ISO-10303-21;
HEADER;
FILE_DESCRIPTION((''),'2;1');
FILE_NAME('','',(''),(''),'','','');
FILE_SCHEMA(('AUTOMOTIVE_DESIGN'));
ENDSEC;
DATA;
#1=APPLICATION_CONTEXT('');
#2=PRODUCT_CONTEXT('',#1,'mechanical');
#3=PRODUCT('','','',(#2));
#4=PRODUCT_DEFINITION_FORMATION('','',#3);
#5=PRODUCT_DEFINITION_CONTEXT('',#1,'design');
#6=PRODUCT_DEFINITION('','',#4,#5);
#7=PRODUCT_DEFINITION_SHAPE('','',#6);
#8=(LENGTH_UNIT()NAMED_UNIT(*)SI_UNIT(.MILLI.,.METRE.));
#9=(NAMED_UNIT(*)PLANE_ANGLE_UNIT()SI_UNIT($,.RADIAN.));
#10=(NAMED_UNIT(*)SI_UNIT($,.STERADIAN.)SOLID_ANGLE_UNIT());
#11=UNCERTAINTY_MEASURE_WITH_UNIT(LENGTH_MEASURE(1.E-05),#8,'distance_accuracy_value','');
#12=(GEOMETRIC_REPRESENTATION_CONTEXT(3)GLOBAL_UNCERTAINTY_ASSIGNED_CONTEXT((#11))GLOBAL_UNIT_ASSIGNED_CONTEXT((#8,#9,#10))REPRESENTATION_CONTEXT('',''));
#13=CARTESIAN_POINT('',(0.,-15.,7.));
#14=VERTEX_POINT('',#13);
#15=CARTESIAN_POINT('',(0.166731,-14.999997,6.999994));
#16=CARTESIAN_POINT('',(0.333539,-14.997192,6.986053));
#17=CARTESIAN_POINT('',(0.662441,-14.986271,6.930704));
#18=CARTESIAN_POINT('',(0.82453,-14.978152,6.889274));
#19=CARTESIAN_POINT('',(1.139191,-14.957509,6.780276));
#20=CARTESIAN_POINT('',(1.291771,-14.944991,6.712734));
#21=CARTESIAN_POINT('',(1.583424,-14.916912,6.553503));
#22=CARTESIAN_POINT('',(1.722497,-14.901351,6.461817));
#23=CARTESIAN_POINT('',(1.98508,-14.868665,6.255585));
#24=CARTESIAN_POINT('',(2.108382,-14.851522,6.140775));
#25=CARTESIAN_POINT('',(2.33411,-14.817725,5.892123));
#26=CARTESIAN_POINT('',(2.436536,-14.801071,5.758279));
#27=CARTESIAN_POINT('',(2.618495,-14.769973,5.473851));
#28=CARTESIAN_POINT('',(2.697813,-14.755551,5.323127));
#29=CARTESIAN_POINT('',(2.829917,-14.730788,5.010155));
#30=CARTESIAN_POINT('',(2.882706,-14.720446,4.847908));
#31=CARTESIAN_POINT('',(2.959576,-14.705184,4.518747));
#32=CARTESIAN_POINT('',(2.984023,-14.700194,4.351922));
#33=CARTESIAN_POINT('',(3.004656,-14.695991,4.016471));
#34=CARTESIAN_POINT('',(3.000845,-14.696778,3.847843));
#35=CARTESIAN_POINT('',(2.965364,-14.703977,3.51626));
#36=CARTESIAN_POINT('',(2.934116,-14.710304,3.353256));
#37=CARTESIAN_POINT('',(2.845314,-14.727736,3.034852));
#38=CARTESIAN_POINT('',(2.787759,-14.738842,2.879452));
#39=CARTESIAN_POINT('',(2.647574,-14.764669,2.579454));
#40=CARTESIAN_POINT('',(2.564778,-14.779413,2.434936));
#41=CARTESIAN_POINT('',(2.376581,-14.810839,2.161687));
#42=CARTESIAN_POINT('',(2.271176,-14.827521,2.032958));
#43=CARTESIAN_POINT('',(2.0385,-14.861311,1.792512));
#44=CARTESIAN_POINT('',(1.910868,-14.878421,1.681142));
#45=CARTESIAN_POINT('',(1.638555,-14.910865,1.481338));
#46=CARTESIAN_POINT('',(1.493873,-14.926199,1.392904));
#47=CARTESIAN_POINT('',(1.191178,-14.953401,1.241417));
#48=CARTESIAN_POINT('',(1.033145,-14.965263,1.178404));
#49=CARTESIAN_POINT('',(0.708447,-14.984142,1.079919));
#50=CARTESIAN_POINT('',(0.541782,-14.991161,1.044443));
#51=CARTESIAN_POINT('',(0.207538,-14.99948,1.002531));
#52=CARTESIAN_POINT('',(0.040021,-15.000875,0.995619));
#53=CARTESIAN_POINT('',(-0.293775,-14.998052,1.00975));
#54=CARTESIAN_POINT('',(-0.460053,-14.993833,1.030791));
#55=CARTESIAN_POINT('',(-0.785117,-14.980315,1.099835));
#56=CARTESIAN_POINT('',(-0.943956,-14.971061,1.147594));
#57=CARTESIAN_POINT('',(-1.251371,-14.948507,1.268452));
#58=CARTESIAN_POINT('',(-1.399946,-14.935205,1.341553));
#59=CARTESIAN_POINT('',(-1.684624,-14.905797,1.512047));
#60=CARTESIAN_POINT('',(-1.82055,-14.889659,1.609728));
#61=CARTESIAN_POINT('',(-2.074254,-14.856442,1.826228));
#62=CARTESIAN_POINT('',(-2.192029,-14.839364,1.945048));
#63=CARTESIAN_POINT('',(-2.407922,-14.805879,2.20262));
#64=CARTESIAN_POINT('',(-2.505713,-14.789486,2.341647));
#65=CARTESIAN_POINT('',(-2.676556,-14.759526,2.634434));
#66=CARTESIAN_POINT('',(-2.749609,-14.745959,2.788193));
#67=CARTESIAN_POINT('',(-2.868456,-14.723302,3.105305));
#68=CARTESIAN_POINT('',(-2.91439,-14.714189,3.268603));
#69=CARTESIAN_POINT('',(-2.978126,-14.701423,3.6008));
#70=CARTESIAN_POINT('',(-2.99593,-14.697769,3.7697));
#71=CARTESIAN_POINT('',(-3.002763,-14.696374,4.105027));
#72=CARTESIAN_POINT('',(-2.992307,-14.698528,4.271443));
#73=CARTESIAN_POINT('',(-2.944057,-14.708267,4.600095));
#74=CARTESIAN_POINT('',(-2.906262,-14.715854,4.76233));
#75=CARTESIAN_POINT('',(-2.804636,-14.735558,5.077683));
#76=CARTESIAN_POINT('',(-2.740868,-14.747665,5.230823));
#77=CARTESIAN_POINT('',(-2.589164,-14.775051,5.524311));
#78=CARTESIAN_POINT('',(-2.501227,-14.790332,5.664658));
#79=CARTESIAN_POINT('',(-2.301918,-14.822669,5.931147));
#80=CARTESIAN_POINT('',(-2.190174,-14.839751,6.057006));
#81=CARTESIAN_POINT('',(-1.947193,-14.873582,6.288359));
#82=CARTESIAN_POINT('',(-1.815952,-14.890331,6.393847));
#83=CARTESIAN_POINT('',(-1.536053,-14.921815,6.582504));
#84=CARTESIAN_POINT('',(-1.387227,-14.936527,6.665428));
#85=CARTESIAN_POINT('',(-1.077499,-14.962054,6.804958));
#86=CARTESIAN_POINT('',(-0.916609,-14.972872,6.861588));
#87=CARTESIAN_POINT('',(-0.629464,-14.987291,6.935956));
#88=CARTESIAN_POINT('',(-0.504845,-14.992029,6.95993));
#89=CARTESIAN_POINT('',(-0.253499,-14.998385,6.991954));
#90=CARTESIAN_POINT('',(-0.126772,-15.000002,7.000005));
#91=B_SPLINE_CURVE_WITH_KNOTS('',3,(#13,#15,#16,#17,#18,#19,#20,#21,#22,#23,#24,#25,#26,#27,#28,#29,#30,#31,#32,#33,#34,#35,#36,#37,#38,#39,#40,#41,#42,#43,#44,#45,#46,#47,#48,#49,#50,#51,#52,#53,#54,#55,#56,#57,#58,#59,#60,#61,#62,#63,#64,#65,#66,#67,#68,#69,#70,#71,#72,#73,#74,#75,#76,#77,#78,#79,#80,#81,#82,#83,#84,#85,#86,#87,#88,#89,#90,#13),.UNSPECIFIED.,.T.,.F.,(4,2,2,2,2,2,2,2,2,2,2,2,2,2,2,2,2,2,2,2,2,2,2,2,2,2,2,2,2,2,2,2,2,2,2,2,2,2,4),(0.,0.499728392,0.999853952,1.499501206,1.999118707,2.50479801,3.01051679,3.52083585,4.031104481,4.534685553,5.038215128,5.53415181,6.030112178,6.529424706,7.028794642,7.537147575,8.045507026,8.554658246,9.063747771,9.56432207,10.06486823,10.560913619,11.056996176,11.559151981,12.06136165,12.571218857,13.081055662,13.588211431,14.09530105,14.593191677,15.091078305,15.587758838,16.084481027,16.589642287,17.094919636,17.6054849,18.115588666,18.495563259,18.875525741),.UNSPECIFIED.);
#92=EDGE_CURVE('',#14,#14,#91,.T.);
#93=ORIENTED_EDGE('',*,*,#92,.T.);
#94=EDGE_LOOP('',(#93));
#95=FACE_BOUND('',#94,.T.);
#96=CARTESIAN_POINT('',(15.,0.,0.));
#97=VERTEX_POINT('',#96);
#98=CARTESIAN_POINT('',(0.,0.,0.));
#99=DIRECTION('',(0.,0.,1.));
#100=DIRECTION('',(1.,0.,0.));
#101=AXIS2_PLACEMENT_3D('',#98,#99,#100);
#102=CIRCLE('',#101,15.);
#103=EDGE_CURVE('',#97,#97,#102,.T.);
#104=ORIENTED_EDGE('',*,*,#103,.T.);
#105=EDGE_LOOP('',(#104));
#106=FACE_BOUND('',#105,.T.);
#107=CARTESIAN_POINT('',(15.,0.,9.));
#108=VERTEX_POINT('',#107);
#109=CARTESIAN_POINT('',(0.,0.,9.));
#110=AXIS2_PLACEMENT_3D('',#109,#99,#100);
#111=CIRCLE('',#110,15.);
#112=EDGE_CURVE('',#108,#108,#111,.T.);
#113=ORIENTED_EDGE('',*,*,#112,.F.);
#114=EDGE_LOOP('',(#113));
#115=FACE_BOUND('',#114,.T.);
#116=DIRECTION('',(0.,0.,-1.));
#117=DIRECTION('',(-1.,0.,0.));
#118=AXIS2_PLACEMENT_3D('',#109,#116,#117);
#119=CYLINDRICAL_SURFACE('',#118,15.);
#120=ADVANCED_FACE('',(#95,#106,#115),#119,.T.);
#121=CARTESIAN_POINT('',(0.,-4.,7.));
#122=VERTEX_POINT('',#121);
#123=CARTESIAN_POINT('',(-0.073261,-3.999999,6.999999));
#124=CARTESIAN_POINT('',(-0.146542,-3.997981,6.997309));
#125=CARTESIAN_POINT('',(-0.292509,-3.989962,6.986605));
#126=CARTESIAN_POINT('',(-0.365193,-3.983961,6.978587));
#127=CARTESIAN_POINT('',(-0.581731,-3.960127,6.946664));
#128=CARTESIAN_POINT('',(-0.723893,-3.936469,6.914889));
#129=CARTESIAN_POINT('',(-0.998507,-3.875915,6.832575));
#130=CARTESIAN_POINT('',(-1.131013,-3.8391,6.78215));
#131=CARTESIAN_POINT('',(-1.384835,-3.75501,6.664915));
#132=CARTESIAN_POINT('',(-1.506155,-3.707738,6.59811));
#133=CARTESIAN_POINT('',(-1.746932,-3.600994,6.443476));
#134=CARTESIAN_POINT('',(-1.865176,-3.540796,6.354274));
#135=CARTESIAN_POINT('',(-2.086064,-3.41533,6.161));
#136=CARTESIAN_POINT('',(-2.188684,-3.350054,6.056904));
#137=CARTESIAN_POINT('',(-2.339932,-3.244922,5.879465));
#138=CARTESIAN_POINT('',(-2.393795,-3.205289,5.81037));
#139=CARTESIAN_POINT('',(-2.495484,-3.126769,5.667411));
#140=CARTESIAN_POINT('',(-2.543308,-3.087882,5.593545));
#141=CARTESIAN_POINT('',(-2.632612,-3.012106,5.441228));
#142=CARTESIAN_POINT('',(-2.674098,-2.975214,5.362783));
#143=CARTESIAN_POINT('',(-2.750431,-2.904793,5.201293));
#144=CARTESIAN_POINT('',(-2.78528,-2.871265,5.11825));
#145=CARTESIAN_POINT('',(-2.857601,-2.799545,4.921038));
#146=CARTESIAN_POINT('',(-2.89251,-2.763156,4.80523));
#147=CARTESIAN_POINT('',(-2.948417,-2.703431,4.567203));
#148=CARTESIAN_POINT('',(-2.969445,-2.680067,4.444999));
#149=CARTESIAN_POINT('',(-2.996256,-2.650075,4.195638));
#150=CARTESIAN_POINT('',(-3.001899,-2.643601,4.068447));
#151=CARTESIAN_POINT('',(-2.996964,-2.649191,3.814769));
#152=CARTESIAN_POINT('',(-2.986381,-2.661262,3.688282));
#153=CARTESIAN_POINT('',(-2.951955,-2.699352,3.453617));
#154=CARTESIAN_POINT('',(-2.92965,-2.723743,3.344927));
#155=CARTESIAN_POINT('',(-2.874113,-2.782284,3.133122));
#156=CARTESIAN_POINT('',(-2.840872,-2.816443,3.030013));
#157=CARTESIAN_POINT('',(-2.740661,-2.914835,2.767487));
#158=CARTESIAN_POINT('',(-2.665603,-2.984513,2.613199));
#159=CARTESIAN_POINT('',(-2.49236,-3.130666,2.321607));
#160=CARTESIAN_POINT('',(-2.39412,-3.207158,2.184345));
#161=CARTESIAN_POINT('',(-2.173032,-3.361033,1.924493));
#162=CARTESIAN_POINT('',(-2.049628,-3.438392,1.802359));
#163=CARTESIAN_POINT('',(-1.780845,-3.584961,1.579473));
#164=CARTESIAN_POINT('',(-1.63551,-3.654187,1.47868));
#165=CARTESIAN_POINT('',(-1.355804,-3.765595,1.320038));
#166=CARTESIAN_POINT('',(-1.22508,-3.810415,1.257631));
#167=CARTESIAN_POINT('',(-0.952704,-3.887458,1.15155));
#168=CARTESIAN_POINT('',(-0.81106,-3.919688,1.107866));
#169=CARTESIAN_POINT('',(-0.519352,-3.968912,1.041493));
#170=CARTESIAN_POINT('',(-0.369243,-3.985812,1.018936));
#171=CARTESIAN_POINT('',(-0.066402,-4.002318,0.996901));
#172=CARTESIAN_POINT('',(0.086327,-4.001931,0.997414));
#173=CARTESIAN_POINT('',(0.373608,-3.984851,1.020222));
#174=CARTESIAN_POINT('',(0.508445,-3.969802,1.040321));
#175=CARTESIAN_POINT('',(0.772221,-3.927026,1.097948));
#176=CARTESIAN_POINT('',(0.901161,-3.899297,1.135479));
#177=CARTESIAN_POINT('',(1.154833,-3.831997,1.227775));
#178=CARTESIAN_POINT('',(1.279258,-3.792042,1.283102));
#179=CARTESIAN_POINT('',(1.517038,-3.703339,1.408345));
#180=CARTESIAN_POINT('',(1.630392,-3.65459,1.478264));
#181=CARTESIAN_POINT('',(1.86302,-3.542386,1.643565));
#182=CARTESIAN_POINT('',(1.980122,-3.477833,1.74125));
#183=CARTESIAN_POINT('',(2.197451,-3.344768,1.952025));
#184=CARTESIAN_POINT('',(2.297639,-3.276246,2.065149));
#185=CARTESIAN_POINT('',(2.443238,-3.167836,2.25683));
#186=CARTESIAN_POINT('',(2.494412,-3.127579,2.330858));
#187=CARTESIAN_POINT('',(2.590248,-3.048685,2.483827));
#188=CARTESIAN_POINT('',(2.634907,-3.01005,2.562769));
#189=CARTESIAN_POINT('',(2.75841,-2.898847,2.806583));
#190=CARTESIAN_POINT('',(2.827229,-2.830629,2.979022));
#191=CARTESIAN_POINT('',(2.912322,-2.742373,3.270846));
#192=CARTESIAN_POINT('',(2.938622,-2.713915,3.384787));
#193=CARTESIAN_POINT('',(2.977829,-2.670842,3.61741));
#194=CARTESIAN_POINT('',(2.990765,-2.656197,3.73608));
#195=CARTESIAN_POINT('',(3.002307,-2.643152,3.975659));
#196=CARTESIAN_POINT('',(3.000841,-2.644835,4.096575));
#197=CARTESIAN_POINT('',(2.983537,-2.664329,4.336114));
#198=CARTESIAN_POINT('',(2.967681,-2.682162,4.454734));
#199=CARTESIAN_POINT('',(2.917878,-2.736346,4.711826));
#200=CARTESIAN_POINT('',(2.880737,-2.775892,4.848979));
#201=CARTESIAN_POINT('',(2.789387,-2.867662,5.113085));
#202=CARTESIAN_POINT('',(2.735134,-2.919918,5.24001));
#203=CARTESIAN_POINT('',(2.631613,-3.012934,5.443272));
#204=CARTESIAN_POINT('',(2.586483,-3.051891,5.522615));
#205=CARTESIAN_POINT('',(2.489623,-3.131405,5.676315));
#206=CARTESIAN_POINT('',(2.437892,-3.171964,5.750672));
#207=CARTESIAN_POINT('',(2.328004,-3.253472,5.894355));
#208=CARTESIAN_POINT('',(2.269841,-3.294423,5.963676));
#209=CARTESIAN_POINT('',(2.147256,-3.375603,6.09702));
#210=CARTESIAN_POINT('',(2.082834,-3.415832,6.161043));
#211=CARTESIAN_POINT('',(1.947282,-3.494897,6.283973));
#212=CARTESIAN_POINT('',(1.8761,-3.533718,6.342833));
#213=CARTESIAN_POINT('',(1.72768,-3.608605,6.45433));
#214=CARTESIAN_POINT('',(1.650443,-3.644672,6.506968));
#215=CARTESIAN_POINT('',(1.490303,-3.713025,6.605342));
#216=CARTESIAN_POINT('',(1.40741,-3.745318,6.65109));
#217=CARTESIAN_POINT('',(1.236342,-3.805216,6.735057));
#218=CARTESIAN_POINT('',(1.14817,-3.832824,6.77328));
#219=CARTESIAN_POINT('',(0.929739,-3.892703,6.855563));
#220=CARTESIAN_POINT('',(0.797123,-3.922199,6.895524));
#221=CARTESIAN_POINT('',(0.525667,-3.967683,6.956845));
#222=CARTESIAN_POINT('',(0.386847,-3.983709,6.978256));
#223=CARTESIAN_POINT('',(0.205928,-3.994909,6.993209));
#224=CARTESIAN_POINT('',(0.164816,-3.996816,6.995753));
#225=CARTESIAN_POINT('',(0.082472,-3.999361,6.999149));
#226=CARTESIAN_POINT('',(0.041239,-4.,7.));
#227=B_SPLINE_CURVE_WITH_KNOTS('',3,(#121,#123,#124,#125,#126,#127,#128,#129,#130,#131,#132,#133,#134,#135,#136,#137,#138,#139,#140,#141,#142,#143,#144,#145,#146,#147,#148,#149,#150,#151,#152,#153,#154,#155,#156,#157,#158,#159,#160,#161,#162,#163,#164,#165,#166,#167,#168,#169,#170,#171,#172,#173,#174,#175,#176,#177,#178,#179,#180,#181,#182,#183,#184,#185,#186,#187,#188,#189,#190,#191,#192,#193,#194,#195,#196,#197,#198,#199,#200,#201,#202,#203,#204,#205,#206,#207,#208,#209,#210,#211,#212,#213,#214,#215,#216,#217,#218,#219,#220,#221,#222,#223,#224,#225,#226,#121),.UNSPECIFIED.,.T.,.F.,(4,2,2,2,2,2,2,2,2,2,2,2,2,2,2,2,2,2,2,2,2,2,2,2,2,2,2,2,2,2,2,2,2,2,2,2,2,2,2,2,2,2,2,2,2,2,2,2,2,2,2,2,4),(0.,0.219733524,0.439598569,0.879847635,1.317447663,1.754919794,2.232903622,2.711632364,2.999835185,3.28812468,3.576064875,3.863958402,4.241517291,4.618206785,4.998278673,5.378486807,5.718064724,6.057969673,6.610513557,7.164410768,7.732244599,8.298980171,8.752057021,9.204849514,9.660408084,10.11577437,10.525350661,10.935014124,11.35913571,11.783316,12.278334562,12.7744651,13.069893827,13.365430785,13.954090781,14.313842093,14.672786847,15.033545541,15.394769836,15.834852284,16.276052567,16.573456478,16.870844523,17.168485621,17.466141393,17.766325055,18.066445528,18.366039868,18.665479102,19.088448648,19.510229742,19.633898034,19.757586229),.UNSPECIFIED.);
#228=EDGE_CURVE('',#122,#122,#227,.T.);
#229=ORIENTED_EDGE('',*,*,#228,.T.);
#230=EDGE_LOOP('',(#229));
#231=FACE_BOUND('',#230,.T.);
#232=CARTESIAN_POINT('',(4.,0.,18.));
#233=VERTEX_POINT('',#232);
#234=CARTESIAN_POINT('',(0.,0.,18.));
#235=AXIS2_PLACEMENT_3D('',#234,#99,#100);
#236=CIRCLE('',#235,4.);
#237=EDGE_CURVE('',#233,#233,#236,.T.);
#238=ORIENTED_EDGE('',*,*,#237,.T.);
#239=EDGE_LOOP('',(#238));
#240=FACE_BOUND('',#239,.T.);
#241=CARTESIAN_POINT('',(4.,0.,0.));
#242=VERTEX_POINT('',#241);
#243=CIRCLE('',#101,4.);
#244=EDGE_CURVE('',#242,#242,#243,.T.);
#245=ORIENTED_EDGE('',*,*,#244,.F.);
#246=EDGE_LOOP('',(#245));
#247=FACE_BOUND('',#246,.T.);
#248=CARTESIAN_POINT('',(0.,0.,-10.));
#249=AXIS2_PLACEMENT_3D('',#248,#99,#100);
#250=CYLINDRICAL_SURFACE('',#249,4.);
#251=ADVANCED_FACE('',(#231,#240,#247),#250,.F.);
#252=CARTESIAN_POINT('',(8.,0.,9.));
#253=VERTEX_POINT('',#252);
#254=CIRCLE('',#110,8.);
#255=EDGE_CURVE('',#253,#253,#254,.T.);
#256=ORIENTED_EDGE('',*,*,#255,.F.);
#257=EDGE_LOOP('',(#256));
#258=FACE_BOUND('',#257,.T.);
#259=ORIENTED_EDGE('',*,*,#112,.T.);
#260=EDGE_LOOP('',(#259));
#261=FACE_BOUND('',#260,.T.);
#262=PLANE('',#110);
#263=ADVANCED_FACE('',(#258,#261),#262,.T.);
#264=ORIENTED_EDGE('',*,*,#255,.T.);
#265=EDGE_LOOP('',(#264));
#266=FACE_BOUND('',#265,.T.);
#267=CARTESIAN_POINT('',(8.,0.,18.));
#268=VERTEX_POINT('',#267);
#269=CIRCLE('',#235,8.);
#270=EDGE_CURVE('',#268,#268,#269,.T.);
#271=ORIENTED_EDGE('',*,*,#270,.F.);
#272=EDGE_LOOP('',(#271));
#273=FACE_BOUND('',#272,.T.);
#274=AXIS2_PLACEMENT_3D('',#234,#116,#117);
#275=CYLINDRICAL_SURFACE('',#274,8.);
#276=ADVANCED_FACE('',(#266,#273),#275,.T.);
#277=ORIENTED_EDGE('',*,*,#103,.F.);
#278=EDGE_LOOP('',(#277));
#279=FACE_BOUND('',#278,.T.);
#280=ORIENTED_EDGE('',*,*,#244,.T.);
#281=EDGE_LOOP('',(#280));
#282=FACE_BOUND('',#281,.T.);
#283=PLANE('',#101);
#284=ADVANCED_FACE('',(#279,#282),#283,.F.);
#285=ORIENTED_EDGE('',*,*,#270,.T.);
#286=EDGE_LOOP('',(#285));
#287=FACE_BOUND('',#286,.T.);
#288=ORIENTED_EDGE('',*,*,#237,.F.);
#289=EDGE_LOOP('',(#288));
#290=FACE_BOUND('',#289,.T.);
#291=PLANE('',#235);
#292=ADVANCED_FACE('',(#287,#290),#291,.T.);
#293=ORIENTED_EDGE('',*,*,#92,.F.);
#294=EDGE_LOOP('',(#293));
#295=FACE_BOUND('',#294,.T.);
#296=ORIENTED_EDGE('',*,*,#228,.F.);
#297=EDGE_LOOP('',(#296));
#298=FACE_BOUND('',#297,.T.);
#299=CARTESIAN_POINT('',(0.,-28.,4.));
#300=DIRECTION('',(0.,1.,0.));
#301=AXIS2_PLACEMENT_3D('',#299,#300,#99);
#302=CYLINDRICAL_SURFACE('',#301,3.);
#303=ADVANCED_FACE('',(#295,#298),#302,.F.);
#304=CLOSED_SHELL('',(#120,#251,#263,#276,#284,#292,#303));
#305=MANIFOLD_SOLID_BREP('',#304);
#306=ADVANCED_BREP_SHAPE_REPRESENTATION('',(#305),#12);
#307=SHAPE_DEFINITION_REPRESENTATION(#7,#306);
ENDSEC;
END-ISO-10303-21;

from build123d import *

# Parameters (mm, degrees)
SKETCH_1_R          = 15
EXTRUDE_1_DEPTH     = 9
SKETCH_2_R          = 8
EXTRUDE_2_DEPTH     = 9
SKETCH_3_R          = 4
CUT_EXTRUDE_1_DEPTH = 28
SKETCH_4_R          = 3
CUT_EXTRUDE_2_DEPTH = 28


with BuildPart() as part:
    # 草图1 → 凸台-拉伸1 (new body)
    with BuildSketch(Plane.XY):
        Circle(SKETCH_1_R)
    extrude(amount=EXTRUDE_1_DEPTH)

    # 草图2 → 凸台-拉伸2 (add)
    with BuildSketch(Plane.XY.offset(9)):
        Circle(SKETCH_2_R)
    extrude(amount=EXTRUDE_2_DEPTH)

    # 草图3 → 切除-拉伸1 (cut)
    with BuildSketch(Plane.XY.offset(18)):
        Circle(SKETCH_3_R)
    extrude(amount=-CUT_EXTRUDE_1_DEPTH, mode=Mode.SUBTRACT)

    # 草图4 → 切除-拉伸2 (cut)
    with BuildSketch(Plane(origin=(0, 0, 0), x_dir=(1, 0, 0), z_dir=(0, 1, 0))):
        with Locations(Location((0, -4, 0), (0, 0, 270))):
            Circle(SKETCH_4_R)
    extrude(amount=-CUT_EXTRUDE_2_DEPTH, mode=Mode.SUBTRACT)


solid = part.part
